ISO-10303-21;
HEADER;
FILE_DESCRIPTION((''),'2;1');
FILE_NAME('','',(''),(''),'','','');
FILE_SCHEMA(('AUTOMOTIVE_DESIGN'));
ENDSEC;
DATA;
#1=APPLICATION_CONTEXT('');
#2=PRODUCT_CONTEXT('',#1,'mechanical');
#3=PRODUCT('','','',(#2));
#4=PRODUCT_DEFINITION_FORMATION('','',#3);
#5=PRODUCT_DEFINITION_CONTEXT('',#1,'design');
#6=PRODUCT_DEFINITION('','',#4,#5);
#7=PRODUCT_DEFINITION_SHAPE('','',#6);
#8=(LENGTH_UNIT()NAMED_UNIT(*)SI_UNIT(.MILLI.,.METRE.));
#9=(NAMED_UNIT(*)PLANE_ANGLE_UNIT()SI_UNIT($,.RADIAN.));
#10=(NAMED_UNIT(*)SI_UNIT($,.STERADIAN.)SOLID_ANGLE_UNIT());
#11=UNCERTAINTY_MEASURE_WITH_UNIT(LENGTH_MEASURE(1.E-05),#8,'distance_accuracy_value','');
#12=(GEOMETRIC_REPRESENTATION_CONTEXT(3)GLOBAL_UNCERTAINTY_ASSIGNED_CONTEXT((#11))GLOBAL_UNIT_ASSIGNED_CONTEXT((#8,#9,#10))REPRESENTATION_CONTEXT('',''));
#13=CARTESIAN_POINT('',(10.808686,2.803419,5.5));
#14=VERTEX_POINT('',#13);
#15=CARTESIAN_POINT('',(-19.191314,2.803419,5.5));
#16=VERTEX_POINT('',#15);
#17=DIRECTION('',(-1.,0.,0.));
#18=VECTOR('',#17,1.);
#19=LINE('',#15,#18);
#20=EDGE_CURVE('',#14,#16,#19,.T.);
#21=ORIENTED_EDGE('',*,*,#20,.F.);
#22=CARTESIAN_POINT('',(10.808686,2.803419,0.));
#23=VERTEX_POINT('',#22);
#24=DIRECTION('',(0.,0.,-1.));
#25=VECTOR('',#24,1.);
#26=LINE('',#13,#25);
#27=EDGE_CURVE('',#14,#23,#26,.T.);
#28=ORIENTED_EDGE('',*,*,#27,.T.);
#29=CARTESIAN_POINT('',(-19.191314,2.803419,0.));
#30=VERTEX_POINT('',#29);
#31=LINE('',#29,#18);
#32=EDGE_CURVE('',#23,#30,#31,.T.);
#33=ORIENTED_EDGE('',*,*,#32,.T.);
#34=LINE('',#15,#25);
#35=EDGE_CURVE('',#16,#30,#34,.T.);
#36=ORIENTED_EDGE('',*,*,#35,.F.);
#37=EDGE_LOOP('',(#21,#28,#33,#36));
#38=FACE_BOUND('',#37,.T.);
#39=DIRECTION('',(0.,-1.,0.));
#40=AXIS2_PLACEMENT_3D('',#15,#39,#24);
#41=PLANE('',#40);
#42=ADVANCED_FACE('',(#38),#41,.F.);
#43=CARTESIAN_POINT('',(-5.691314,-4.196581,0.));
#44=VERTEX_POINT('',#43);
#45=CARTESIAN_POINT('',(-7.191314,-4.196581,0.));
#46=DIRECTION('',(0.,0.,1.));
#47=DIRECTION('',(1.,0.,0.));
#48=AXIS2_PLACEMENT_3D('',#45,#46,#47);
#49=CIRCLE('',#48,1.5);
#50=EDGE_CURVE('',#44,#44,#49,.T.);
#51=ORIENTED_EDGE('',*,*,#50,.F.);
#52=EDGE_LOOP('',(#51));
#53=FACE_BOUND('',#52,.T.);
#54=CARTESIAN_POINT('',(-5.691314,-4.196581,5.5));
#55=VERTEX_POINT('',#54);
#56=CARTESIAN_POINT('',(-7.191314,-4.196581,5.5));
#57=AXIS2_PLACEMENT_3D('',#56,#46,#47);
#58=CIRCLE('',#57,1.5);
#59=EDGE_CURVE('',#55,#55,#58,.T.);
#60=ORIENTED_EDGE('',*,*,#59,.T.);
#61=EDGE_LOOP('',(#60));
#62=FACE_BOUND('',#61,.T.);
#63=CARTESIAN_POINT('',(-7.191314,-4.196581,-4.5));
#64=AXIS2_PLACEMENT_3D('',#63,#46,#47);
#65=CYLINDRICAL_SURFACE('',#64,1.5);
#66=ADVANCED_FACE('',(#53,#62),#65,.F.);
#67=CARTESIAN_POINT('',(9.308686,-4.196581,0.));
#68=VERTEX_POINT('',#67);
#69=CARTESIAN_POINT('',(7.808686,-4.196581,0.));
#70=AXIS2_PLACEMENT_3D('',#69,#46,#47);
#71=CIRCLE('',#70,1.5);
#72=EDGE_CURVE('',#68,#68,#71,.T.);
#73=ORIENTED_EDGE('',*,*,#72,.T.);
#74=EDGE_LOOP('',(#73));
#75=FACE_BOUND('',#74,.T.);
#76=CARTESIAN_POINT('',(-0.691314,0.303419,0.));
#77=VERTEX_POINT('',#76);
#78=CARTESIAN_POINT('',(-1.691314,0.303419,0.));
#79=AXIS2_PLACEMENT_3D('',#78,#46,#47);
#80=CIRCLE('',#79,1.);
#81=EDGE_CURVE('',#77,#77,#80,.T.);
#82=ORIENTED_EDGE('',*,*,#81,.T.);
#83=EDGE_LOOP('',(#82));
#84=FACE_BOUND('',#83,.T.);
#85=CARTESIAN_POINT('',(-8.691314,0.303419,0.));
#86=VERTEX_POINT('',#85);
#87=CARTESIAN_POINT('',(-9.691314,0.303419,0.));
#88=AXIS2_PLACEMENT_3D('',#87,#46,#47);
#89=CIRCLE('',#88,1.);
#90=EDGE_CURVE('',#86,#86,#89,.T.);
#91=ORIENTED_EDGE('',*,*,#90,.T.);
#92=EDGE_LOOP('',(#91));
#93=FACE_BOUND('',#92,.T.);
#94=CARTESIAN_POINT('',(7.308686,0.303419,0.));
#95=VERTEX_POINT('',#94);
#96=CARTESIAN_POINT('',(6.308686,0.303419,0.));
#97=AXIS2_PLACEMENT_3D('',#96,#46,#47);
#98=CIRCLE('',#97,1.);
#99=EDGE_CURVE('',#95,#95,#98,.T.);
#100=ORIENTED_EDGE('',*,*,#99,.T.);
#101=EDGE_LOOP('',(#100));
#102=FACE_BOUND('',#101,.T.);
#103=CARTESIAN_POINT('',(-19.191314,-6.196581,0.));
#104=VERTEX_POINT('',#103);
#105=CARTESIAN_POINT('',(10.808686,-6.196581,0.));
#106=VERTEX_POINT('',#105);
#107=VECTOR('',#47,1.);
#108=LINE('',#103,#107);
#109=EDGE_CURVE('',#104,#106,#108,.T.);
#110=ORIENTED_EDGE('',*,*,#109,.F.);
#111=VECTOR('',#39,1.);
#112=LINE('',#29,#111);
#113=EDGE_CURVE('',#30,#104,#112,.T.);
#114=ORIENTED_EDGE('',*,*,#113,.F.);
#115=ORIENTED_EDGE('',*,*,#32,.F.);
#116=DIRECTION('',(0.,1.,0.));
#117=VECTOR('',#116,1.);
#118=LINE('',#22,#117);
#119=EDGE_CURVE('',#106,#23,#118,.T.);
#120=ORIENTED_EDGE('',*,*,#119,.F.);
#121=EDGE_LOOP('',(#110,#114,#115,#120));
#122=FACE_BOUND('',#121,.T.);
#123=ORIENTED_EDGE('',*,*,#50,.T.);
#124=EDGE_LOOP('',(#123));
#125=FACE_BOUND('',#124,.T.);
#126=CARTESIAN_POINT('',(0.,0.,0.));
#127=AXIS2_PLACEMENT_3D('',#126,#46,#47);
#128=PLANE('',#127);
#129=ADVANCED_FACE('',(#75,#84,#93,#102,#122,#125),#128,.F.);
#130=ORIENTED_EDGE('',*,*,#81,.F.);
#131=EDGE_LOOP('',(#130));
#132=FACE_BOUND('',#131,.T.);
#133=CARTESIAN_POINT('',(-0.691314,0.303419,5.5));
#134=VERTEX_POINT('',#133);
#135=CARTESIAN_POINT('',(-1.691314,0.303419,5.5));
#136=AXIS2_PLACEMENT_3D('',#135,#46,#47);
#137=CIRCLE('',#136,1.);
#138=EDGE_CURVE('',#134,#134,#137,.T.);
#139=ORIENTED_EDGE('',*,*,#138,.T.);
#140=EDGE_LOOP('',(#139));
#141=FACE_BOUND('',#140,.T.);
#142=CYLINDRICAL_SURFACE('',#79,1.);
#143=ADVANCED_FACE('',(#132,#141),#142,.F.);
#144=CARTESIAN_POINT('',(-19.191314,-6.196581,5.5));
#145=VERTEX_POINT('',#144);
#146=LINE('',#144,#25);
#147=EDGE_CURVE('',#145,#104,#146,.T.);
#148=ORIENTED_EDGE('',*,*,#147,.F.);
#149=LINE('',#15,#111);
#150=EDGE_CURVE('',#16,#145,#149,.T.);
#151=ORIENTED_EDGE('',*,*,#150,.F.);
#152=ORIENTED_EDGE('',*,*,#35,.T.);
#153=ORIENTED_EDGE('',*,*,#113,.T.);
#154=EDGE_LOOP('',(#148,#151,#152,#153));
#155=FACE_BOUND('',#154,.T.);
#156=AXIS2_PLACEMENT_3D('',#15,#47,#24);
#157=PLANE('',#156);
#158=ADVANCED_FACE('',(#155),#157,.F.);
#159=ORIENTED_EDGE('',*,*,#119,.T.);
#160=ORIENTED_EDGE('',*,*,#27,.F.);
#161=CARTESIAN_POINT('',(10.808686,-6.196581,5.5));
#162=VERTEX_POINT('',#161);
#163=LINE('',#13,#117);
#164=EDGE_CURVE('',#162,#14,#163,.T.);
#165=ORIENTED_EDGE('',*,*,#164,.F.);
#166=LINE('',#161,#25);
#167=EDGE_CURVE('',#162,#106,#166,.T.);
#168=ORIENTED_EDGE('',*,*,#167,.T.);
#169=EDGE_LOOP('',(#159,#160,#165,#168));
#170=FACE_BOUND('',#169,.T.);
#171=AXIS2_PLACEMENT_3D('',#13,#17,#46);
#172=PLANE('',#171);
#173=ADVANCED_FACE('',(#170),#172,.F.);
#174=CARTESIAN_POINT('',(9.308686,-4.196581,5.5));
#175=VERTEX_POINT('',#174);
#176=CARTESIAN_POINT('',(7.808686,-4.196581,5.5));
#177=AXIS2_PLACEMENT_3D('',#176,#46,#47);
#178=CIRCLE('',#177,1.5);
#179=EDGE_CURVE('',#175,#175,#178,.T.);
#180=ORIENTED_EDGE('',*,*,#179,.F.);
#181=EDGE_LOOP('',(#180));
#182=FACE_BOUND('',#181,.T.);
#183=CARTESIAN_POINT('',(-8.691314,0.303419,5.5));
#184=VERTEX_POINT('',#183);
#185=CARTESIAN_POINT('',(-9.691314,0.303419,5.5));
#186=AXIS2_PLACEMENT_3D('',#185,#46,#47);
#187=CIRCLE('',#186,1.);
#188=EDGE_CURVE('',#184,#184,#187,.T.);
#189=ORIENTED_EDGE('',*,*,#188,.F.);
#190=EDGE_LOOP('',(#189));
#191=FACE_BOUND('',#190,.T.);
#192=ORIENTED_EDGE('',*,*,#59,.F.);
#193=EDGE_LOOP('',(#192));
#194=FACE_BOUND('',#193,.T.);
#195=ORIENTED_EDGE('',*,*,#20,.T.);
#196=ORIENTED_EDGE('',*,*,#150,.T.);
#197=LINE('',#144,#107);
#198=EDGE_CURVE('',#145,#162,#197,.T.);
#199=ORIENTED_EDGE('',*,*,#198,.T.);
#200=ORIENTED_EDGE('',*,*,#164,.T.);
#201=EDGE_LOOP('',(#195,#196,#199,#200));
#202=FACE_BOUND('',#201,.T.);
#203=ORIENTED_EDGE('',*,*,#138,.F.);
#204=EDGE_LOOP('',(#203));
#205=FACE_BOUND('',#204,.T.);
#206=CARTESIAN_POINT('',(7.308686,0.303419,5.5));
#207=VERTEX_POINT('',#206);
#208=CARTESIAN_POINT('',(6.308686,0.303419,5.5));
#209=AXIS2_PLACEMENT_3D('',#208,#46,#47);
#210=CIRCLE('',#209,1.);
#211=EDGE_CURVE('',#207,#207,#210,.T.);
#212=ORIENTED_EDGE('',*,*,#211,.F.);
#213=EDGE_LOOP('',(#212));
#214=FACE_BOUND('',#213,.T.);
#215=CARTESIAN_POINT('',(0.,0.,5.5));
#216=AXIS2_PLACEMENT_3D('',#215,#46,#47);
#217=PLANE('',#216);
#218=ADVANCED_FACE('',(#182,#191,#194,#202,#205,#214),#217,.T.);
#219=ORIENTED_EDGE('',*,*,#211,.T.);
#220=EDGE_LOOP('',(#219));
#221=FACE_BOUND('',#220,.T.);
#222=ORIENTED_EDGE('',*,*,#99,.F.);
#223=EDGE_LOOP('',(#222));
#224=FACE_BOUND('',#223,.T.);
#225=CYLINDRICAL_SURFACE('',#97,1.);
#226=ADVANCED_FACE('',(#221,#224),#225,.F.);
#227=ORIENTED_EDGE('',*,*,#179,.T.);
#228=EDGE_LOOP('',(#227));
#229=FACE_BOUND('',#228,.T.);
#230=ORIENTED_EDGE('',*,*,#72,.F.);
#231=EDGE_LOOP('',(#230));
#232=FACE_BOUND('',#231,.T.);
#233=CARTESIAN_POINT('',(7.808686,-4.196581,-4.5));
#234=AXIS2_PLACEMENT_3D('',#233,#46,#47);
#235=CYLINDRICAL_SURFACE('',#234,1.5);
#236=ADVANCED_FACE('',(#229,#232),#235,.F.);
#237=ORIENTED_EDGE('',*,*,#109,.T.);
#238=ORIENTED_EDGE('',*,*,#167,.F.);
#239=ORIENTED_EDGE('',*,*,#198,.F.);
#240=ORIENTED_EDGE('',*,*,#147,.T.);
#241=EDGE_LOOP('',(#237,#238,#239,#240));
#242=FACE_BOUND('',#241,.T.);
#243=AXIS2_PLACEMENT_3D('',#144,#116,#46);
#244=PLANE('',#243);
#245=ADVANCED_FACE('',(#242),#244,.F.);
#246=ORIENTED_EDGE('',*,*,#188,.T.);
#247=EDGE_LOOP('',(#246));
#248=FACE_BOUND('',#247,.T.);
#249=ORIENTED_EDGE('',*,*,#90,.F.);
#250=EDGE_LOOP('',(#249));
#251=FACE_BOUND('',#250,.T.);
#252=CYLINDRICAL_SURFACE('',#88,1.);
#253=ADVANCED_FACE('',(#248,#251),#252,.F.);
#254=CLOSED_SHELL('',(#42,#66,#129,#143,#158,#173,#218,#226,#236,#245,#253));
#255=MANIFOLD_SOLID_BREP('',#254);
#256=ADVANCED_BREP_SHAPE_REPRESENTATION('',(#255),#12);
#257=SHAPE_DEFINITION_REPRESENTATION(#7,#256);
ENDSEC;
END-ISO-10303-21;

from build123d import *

# Parameters (mm, degrees)
ESQUISSE1_W             = 30
ESQUISSE1_H             = 9
BOSS_EXTRU_1_DEPTH      = 5.5
ESQUISSE3_R             = 1
ENL_V_MAT_EXTRU_2_DEPTH = 6.5
ESQUISSE4_R             = 1.5
ENL_V_MAT_EXTRU_3_DEPTH = 10


with BuildPart() as part:
    # Esquisse1 → Boss.-Extru.1 (new body)
    with BuildSketch(Plane.XY):
        with Locations((-4.19131449, -1.696581197)):
            Rectangle(ESQUISSE1_W, ESQUISSE1_H)
    extrude(amount=BOSS_EXTRU_1_DEPTH)

    # Esquisse3 → Enlèv. mat.-Extru.2 (cut, through all)
    with BuildSketch(Plane.XY.offset(5.5)):
        with Locations((6.30868551, 0.303418803)):
            Circle(ESQUISSE3_R)
        with Locations((-1.69131449, 0.303418803)):
            Circle(ESQUISSE3_R)
        with Locations((-9.69131449, 0.303418803)):
            Circle(ESQUISSE3_R)
    extrude(amount=-ENL_V_MAT_EXTRU_2_DEPTH, mode=Mode.SUBTRACT)

    # Esquisse4 → Enlèv. mat.-Extru.3 (cut)
    with BuildSketch(Plane.XY.offset(5.5)):
        with Locations((-7.19131449, -4.196581197)):
            Circle(ESQUISSE4_R)
        with Locations((7.80868551, -4.196581197)):
            Circle(ESQUISSE4_R)
    extrude(amount=-ENL_V_MAT_EXTRU_3_DEPTH, mode=Mode.SUBTRACT)


solid = part.part
